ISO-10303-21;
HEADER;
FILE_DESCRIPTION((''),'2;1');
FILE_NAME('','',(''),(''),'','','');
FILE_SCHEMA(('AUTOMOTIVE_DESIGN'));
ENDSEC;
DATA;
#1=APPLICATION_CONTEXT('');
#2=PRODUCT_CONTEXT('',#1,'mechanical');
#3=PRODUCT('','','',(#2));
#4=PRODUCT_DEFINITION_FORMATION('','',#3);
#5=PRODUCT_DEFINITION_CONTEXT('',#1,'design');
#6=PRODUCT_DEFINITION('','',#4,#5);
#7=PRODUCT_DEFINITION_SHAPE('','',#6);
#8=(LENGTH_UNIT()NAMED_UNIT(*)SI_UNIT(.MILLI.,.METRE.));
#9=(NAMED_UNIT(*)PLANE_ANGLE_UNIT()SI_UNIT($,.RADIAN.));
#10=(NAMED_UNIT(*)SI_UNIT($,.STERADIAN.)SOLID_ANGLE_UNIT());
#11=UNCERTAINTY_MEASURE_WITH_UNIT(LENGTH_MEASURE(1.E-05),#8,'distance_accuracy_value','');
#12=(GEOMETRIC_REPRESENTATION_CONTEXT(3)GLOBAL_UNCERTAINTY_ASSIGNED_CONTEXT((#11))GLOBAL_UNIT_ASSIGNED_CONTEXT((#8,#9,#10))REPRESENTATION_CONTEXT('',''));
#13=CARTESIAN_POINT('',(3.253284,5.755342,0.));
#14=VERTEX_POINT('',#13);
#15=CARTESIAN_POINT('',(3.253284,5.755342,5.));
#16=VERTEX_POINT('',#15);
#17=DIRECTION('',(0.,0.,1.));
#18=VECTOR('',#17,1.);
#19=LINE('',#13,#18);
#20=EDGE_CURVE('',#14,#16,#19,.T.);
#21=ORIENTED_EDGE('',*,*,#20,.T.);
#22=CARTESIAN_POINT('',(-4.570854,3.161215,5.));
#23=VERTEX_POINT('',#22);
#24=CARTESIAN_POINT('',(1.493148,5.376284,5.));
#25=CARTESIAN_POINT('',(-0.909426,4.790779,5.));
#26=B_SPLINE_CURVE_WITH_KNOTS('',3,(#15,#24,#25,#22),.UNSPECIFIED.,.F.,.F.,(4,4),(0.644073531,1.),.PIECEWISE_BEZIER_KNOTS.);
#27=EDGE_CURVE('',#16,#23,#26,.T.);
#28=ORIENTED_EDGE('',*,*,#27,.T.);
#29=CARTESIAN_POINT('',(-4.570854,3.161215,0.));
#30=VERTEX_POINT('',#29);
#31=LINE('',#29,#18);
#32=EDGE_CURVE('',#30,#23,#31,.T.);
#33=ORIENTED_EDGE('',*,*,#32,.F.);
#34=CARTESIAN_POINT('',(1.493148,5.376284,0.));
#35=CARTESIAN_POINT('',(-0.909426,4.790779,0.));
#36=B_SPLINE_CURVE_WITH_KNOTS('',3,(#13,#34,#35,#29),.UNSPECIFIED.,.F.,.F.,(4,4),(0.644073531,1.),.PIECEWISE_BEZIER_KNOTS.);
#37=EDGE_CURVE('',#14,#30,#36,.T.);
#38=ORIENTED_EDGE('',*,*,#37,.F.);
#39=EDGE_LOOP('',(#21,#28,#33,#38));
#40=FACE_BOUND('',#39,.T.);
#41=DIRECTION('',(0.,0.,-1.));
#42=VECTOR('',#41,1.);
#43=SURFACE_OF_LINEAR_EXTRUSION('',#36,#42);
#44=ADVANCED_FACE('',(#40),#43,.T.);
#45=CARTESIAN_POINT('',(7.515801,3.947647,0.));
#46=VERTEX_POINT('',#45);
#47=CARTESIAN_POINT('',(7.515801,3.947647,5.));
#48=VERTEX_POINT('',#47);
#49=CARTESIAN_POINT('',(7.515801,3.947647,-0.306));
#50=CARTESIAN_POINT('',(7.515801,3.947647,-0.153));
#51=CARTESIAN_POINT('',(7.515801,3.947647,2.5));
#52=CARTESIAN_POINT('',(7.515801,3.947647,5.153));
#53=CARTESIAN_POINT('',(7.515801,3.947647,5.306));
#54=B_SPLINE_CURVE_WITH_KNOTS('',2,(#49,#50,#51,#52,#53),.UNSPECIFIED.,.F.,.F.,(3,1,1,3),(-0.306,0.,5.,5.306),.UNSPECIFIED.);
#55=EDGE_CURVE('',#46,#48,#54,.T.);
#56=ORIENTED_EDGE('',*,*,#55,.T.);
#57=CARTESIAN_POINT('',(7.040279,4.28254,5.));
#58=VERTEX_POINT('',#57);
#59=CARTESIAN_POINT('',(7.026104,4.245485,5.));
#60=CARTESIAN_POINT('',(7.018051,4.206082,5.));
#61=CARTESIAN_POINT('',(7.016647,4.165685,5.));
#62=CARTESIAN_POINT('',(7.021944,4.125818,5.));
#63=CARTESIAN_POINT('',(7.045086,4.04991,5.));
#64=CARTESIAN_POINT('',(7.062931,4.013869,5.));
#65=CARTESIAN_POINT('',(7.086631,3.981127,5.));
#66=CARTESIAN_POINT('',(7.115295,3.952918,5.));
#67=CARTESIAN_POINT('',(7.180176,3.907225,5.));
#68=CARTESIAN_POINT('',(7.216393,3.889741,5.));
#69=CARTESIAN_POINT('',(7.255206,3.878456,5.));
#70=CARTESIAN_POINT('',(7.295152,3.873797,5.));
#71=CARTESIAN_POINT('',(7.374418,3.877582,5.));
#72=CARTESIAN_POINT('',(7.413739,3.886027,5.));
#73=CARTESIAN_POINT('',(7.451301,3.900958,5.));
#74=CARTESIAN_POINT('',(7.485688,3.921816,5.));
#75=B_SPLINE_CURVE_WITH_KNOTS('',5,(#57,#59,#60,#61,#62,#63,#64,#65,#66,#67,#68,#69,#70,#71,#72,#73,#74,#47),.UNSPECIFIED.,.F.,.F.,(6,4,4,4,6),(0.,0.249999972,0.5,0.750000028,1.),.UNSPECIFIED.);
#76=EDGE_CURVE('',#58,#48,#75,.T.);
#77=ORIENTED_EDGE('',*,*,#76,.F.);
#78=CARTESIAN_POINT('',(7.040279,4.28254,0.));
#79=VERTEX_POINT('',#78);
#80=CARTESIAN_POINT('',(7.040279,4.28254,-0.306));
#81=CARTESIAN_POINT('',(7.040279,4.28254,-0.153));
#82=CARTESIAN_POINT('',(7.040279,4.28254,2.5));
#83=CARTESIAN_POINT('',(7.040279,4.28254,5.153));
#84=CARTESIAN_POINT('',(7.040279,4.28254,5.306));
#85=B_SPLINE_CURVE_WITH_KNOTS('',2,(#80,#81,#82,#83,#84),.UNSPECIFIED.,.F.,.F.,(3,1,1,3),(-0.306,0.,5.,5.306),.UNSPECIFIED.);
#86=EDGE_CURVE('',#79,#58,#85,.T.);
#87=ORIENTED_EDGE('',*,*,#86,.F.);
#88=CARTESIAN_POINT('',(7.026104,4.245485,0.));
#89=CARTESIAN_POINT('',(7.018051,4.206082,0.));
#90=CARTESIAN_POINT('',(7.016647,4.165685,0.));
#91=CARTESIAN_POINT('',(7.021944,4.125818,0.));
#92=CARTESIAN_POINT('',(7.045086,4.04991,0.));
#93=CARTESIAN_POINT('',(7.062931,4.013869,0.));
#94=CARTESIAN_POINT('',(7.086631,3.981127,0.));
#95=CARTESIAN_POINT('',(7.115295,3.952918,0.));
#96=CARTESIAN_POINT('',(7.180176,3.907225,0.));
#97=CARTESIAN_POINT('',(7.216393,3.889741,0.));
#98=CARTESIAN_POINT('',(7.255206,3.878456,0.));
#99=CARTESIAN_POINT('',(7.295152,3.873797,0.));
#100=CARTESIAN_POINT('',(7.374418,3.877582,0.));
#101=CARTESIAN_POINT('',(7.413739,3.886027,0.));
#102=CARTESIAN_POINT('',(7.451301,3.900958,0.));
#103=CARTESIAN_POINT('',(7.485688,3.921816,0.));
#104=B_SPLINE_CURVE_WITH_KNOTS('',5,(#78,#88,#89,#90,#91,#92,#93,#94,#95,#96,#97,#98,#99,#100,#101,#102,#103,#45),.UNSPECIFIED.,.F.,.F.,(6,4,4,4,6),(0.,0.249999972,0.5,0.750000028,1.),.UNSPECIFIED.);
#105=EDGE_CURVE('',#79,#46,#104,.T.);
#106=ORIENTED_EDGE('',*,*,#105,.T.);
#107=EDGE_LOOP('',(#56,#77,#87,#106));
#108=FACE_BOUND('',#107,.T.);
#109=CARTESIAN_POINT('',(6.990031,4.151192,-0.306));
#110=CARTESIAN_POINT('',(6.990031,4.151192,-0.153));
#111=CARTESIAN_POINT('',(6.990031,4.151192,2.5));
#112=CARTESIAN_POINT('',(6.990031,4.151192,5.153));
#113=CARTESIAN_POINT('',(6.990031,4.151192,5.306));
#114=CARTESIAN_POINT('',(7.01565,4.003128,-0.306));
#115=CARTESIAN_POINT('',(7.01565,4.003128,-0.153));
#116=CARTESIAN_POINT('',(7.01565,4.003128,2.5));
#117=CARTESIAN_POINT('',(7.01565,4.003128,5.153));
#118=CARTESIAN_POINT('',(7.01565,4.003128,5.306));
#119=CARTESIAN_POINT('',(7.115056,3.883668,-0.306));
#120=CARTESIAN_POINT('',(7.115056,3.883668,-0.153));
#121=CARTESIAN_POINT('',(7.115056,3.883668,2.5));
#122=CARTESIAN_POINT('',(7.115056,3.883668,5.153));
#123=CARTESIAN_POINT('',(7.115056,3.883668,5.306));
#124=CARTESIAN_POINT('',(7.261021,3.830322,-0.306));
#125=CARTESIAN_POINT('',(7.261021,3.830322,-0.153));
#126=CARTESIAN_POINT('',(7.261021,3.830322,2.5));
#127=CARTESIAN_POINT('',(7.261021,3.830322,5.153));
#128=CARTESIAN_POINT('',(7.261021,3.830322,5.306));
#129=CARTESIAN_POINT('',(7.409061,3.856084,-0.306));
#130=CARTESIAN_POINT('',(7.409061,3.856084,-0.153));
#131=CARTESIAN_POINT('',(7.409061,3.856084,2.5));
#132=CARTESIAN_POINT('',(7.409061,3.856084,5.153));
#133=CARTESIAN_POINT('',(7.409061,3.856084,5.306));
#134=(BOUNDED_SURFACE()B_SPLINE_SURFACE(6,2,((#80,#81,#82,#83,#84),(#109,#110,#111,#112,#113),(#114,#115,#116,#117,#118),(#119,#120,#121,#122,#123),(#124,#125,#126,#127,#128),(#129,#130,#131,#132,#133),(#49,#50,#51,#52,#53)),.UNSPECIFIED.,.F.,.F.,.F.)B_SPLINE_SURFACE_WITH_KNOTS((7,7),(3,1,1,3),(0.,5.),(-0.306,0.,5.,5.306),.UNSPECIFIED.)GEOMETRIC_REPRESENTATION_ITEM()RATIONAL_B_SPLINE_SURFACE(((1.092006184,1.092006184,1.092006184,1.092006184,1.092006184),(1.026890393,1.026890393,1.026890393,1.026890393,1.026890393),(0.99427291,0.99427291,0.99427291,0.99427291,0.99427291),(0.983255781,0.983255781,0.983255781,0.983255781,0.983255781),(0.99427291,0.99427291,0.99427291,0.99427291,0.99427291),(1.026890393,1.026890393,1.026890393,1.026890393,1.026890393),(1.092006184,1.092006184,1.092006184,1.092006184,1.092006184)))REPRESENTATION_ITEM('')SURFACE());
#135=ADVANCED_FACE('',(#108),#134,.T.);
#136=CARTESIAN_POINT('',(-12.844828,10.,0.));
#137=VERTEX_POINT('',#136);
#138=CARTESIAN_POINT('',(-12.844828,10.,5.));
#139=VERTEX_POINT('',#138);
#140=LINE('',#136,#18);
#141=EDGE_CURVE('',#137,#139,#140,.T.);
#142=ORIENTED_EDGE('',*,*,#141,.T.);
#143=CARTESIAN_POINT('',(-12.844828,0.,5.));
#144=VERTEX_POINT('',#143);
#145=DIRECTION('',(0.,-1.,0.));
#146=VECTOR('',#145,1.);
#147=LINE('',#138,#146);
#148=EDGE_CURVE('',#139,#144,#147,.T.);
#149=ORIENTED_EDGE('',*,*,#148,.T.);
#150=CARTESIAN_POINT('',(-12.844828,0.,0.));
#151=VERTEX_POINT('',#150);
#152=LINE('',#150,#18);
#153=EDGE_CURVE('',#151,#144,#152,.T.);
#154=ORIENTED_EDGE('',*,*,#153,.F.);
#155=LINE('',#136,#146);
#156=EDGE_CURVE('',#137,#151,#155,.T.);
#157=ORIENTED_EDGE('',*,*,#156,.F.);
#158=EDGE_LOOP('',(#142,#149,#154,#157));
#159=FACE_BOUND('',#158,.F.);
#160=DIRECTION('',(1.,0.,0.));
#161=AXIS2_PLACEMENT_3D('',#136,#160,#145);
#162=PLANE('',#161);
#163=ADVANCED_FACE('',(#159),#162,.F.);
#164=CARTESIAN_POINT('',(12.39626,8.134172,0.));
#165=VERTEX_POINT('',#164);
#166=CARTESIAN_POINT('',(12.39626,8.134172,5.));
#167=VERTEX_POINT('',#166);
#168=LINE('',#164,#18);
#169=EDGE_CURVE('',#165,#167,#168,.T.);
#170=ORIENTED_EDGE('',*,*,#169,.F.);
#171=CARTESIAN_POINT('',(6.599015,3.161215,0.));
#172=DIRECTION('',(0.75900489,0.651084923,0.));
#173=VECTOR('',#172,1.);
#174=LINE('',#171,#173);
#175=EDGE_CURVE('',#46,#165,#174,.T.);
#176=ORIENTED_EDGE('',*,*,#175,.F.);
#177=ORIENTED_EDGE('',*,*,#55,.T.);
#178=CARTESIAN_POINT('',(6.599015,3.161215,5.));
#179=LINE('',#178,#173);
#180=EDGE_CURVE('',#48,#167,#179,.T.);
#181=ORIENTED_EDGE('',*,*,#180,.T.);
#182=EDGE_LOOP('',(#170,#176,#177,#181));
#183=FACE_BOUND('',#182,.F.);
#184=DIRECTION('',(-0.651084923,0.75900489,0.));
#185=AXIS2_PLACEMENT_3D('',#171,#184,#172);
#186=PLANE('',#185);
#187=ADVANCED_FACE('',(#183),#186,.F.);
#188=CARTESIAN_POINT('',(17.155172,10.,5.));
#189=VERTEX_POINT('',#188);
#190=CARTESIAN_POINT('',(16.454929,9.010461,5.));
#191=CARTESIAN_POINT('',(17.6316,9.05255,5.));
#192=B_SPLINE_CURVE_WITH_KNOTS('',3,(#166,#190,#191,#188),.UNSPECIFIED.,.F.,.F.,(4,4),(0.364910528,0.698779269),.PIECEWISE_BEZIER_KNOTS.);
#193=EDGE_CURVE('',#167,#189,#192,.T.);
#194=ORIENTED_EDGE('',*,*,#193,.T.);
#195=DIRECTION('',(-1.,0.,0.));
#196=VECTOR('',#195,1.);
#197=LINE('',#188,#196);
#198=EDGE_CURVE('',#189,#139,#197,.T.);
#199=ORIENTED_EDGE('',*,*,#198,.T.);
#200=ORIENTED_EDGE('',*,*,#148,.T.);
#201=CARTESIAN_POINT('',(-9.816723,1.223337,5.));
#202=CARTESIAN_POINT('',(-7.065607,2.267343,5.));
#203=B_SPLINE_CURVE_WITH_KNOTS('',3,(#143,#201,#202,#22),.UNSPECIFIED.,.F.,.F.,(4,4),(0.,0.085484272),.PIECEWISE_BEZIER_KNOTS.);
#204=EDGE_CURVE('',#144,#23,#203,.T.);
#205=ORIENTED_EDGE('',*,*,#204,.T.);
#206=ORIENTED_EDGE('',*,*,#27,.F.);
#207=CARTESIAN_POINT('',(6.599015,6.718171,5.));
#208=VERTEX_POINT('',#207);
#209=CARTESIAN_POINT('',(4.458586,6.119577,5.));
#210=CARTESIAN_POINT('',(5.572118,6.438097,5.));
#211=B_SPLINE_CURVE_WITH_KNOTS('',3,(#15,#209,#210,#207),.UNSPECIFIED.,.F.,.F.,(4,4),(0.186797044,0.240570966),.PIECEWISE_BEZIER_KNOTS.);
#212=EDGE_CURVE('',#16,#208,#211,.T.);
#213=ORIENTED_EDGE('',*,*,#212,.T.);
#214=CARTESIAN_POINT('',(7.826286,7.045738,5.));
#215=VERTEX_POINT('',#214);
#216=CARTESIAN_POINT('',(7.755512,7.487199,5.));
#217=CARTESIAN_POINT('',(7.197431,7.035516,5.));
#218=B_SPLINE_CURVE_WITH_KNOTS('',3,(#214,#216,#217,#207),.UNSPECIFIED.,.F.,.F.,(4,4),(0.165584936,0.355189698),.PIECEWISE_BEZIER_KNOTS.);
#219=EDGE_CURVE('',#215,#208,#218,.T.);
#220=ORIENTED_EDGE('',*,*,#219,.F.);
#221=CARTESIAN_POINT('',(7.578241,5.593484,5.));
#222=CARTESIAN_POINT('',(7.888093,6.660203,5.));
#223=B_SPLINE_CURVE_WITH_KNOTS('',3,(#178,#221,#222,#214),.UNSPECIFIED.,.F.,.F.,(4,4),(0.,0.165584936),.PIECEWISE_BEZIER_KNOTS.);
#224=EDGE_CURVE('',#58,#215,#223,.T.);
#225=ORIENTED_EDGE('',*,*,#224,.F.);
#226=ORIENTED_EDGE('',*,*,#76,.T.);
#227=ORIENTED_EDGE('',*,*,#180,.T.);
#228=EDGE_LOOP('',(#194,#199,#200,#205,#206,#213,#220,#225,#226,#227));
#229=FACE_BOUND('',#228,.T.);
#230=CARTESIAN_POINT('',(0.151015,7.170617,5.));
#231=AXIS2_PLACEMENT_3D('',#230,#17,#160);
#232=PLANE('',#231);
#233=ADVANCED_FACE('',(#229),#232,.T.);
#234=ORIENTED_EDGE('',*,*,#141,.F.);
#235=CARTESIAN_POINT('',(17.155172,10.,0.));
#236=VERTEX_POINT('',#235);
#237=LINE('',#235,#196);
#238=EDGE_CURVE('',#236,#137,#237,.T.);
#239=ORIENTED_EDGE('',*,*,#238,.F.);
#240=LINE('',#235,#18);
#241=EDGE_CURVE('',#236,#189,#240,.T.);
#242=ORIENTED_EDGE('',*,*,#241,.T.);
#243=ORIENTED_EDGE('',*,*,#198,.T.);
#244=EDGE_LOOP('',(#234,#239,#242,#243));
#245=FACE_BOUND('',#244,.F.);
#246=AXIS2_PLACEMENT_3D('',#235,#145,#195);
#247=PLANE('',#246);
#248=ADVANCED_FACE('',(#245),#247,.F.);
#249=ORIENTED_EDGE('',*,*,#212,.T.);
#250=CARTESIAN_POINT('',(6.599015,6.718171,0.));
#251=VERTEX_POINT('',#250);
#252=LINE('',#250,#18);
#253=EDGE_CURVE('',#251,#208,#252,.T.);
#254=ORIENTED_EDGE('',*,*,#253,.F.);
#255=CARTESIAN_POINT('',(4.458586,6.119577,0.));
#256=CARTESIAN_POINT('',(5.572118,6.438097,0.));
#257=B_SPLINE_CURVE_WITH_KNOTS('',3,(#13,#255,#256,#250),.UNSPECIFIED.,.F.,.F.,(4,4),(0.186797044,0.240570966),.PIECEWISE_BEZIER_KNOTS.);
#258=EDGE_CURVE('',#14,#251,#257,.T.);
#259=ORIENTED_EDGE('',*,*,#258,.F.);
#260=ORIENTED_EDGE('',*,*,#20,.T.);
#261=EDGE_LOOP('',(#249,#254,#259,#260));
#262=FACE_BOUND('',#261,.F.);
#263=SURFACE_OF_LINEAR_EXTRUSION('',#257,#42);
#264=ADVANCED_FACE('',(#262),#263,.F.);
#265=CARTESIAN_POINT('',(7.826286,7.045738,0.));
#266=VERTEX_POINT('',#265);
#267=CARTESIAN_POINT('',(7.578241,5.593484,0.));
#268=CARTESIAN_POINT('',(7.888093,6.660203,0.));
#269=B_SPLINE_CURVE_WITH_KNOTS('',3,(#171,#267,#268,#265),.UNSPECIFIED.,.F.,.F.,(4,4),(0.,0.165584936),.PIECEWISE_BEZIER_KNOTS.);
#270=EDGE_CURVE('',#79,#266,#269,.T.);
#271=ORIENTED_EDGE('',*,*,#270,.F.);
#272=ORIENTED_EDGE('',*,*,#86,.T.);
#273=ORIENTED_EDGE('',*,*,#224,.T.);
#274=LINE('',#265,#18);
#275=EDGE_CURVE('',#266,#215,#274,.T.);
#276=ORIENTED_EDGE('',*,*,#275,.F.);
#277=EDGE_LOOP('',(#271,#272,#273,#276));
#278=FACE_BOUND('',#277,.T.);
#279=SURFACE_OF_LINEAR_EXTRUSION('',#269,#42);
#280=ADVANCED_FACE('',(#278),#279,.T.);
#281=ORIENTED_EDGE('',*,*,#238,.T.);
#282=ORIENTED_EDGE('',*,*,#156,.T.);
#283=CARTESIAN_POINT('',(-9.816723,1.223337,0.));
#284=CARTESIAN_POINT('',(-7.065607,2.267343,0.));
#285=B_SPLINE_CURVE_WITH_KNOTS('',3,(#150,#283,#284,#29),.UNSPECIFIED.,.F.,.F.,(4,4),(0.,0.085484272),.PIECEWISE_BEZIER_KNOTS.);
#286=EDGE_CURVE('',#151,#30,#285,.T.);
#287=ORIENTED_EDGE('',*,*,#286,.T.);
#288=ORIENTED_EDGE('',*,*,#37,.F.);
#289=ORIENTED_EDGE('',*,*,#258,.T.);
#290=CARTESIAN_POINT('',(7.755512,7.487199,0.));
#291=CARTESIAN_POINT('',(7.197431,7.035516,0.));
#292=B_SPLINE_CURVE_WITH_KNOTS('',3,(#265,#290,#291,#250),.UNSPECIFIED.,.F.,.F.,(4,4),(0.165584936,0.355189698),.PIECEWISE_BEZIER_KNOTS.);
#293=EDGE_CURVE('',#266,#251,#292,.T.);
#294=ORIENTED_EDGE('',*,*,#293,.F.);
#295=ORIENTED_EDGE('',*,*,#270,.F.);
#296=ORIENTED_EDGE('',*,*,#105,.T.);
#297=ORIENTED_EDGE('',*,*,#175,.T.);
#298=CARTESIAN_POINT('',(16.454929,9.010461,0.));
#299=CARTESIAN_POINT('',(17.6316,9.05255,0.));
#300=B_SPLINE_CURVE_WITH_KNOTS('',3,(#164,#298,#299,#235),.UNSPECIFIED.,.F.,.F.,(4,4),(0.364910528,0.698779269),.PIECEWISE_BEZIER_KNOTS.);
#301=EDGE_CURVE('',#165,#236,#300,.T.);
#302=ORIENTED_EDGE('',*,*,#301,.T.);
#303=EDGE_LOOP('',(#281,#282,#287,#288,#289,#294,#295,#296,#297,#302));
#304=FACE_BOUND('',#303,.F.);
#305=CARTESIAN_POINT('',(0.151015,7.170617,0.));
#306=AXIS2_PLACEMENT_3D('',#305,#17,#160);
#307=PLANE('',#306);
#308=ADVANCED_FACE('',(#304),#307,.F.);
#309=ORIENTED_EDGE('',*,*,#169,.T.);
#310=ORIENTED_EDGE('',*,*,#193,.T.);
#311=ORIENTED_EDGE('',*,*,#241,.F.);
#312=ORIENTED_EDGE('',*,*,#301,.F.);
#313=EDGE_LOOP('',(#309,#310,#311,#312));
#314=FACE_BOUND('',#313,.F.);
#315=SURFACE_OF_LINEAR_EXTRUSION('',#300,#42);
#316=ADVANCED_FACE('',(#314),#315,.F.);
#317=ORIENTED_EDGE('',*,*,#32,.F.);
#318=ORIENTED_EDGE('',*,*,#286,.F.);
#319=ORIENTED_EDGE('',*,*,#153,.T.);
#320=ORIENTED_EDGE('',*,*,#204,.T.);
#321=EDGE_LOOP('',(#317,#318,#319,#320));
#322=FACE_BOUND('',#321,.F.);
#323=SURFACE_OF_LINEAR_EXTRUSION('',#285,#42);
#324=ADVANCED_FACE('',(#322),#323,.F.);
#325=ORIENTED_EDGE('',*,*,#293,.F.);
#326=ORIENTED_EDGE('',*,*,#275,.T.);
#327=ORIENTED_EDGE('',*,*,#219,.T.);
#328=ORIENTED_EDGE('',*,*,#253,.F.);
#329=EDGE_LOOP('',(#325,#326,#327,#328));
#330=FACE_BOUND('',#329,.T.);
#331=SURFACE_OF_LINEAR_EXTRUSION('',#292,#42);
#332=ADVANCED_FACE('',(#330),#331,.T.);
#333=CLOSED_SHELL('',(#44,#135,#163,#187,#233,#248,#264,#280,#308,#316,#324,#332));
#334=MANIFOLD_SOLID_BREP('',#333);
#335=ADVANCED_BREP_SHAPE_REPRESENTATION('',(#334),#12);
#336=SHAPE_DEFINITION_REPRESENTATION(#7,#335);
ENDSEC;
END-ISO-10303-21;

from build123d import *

# Parameters (mm, degrees)
F1_DEPTH = 5
F2_R     = 0.3


with BuildPart() as f1:
    # F0 (on Top) → F1 (new body)
    with BuildSketch(Plane.XY):
        with BuildLine():
            Line((-12.8448276287, 10), (-12.8448276287, 0))
            add(Edge.make_bspline(
                [(-12.8448276287, 0), (-9.8167225051, 1.2233372678), (-7.0656070058, 2.2673426008), (-4.5708535923, 3.1612152234)],
                knots=[0, 0, 0, 0, 0.0854842722, 0.0854842722, 0.0854842722, 0.0854842722], degree=3))
            add(Edge.make_bspline(
                [(3.2532843258, 5.7553424352), (1.4931484449, 5.3762843113), (-0.9094261424, 4.7907791839), (-4.5708535923, 3.1612152234)],
                knots=[0.6440735312, 0.6440735312, 0.6440735312, 0.6440735312, 1, 1, 1, 1], degree=3))
            add(Edge.make_bspline(
                [(3.2532843258, 5.7553424352), (4.4585862381, 6.1195769912), (5.5721183038, 6.4380970419), (6.5990150906, 6.7181708025)],
                knots=[0.1867970441, 0.1867970441, 0.1867970441, 0.1867970441, 0.240570966, 0.240570966, 0.240570966, 0.240570966], degree=3))
            add(Edge.make_bspline(
                [(7.8262856821, 7.0457379587), (7.7555120286, 7.4871986278), (7.1974306149, 7.0355157952), (6.5990150906, 6.7181708025)],
                knots=[0.1655849362, 0.1655849362, 0.1655849362, 0.1655849362, 0.3551896985, 0.3551896985, 0.3551896985, 0.3551896985], degree=3))
            add(Edge.make_bspline(
                [(7.8262856749, 7.0457379583), (9.6428682605, 7.5198578193), (11.1544603831, 7.8660611289), (12.3962601994, 8.1341724876)],
                knots=[0.2627592696, 0.2627592696, 0.2627592696, 0.2627592696, 0.3649105281, 0.3649105281, 0.3649105281, 0.3649105281], degree=3))
            add(Edge.make_bspline(
                [(12.3962601994, 8.1341724876), (16.4549291504, 9.0104612686), (17.6316003571, 9.0525497371), (17.1551723713, 10)],
                knots=[0.3649105281, 0.3649105281, 0.3649105281, 0.3649105281, 0.6987792691, 0.6987792691, 0.6987792691, 0.6987792691], degree=3))
            Line((17.1551723713, 10), (-12.8448276287, 10))
        make_face()
        with BuildLine():
            Line((6.5990150906, 3.1612152234), (12.3962601994, 8.1341724876))
            add(Edge.make_bspline(
                [(7.8262856749, 7.0457379583), (9.6428682605, 7.5198578193), (11.1544603831, 7.8660611289), (12.3962601994, 8.1341724876)],
                knots=[0.2627592696, 0.2627592696, 0.2627592696, 0.2627592696, 0.3649105281, 0.3649105281, 0.3649105281, 0.3649105281], degree=3))
            add(Edge.make_bspline(
                [(6.5990150906, 3.1612152234), (7.5782406819, 5.5934843751), (7.8880934698, 6.6602031449), (7.8262856821, 7.0457379587)],
                knots=[0, 0, 0, 0, 0.1655849362, 0.1655849362, 0.1655849362, 0.1655849362], degree=3))
        make_face()
    extrude(amount=F1_DEPTH)

    # F2
    f2_edges = [f1.edges().sort_by_distance(p)[0] for p in [
        (6.599015, 3.161215, 2.5),
    ]]
    fillet(f2_edges, radius=F2_R)


solid = f1.part
